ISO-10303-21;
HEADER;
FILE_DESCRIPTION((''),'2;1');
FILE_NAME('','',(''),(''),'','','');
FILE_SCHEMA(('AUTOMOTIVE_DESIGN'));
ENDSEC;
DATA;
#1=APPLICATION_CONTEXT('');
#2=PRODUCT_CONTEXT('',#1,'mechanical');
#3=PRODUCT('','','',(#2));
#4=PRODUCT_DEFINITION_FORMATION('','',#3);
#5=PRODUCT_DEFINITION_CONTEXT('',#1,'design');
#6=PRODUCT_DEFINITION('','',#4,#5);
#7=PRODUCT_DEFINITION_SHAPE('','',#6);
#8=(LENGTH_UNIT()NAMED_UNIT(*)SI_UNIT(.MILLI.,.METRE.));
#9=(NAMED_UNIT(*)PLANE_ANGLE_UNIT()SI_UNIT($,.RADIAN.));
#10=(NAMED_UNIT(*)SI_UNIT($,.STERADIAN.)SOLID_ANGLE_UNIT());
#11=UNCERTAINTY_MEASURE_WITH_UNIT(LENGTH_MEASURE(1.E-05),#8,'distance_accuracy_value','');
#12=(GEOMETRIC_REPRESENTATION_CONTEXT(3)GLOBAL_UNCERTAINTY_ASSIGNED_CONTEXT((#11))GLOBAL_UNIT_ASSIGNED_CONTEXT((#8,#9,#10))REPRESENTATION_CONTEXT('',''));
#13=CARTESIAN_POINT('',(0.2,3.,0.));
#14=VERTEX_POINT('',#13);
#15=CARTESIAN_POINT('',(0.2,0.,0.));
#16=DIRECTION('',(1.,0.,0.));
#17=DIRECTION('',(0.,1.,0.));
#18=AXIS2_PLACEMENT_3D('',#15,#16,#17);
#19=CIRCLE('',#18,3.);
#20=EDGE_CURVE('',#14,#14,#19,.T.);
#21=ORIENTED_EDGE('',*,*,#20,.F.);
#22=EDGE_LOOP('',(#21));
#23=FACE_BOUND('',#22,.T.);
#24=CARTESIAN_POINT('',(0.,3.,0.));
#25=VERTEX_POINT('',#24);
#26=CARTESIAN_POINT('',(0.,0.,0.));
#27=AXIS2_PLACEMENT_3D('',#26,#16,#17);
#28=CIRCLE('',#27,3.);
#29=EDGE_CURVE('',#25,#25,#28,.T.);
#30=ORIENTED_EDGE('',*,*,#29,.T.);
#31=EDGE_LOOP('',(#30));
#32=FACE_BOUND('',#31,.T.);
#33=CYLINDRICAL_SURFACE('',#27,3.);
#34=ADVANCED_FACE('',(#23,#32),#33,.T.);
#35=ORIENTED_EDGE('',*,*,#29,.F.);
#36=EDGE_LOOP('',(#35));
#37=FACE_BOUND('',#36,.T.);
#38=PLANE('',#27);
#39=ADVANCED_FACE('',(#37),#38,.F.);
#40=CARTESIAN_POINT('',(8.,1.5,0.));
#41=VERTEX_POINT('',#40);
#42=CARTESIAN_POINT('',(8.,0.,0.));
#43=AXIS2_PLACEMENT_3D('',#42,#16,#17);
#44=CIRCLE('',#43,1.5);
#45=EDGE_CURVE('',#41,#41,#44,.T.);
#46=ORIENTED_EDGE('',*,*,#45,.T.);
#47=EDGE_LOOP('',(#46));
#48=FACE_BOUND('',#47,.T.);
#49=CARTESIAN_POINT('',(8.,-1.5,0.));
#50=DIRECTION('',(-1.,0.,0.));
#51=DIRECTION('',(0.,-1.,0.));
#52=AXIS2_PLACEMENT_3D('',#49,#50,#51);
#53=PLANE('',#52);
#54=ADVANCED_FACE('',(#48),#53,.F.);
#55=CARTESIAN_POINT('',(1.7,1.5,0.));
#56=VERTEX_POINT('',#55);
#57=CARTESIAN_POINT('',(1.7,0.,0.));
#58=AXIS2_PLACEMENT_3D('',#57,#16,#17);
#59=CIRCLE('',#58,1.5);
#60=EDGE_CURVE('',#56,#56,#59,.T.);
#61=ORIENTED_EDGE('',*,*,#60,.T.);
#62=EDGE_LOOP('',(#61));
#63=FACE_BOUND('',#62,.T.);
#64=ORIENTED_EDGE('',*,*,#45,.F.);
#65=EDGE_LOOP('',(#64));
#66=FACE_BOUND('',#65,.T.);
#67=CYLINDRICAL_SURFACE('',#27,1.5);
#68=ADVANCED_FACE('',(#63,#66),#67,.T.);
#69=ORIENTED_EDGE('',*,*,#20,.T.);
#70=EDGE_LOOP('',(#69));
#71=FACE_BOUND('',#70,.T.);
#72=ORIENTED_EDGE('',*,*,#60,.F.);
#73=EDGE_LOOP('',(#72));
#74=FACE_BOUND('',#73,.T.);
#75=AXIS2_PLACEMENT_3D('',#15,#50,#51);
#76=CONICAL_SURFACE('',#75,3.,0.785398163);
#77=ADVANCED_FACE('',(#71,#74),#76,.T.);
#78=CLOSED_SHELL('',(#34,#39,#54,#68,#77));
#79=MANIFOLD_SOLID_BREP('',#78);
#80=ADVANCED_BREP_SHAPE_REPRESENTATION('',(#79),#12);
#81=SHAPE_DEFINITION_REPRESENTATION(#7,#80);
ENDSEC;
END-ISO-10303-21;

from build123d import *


with BuildPart() as part:
    # Skica1 → Rotovat1 (revolve)
    with BuildSketch(Plane.XY, mode=Mode.PRIVATE) as rotovat1_sk:
        Polygon((0, 0), (0, -3), (0.2, -3), (1.7, -1.5), (8, -1.5), (8, 0), align=None)
    revolve(rotovat1_sk.sketch.rotate(Axis((0, 0, 0), (-1, 0, 0)), 180), axis=Axis((0, 0, 0), (-1, 0, 0)))


solid = part.part
